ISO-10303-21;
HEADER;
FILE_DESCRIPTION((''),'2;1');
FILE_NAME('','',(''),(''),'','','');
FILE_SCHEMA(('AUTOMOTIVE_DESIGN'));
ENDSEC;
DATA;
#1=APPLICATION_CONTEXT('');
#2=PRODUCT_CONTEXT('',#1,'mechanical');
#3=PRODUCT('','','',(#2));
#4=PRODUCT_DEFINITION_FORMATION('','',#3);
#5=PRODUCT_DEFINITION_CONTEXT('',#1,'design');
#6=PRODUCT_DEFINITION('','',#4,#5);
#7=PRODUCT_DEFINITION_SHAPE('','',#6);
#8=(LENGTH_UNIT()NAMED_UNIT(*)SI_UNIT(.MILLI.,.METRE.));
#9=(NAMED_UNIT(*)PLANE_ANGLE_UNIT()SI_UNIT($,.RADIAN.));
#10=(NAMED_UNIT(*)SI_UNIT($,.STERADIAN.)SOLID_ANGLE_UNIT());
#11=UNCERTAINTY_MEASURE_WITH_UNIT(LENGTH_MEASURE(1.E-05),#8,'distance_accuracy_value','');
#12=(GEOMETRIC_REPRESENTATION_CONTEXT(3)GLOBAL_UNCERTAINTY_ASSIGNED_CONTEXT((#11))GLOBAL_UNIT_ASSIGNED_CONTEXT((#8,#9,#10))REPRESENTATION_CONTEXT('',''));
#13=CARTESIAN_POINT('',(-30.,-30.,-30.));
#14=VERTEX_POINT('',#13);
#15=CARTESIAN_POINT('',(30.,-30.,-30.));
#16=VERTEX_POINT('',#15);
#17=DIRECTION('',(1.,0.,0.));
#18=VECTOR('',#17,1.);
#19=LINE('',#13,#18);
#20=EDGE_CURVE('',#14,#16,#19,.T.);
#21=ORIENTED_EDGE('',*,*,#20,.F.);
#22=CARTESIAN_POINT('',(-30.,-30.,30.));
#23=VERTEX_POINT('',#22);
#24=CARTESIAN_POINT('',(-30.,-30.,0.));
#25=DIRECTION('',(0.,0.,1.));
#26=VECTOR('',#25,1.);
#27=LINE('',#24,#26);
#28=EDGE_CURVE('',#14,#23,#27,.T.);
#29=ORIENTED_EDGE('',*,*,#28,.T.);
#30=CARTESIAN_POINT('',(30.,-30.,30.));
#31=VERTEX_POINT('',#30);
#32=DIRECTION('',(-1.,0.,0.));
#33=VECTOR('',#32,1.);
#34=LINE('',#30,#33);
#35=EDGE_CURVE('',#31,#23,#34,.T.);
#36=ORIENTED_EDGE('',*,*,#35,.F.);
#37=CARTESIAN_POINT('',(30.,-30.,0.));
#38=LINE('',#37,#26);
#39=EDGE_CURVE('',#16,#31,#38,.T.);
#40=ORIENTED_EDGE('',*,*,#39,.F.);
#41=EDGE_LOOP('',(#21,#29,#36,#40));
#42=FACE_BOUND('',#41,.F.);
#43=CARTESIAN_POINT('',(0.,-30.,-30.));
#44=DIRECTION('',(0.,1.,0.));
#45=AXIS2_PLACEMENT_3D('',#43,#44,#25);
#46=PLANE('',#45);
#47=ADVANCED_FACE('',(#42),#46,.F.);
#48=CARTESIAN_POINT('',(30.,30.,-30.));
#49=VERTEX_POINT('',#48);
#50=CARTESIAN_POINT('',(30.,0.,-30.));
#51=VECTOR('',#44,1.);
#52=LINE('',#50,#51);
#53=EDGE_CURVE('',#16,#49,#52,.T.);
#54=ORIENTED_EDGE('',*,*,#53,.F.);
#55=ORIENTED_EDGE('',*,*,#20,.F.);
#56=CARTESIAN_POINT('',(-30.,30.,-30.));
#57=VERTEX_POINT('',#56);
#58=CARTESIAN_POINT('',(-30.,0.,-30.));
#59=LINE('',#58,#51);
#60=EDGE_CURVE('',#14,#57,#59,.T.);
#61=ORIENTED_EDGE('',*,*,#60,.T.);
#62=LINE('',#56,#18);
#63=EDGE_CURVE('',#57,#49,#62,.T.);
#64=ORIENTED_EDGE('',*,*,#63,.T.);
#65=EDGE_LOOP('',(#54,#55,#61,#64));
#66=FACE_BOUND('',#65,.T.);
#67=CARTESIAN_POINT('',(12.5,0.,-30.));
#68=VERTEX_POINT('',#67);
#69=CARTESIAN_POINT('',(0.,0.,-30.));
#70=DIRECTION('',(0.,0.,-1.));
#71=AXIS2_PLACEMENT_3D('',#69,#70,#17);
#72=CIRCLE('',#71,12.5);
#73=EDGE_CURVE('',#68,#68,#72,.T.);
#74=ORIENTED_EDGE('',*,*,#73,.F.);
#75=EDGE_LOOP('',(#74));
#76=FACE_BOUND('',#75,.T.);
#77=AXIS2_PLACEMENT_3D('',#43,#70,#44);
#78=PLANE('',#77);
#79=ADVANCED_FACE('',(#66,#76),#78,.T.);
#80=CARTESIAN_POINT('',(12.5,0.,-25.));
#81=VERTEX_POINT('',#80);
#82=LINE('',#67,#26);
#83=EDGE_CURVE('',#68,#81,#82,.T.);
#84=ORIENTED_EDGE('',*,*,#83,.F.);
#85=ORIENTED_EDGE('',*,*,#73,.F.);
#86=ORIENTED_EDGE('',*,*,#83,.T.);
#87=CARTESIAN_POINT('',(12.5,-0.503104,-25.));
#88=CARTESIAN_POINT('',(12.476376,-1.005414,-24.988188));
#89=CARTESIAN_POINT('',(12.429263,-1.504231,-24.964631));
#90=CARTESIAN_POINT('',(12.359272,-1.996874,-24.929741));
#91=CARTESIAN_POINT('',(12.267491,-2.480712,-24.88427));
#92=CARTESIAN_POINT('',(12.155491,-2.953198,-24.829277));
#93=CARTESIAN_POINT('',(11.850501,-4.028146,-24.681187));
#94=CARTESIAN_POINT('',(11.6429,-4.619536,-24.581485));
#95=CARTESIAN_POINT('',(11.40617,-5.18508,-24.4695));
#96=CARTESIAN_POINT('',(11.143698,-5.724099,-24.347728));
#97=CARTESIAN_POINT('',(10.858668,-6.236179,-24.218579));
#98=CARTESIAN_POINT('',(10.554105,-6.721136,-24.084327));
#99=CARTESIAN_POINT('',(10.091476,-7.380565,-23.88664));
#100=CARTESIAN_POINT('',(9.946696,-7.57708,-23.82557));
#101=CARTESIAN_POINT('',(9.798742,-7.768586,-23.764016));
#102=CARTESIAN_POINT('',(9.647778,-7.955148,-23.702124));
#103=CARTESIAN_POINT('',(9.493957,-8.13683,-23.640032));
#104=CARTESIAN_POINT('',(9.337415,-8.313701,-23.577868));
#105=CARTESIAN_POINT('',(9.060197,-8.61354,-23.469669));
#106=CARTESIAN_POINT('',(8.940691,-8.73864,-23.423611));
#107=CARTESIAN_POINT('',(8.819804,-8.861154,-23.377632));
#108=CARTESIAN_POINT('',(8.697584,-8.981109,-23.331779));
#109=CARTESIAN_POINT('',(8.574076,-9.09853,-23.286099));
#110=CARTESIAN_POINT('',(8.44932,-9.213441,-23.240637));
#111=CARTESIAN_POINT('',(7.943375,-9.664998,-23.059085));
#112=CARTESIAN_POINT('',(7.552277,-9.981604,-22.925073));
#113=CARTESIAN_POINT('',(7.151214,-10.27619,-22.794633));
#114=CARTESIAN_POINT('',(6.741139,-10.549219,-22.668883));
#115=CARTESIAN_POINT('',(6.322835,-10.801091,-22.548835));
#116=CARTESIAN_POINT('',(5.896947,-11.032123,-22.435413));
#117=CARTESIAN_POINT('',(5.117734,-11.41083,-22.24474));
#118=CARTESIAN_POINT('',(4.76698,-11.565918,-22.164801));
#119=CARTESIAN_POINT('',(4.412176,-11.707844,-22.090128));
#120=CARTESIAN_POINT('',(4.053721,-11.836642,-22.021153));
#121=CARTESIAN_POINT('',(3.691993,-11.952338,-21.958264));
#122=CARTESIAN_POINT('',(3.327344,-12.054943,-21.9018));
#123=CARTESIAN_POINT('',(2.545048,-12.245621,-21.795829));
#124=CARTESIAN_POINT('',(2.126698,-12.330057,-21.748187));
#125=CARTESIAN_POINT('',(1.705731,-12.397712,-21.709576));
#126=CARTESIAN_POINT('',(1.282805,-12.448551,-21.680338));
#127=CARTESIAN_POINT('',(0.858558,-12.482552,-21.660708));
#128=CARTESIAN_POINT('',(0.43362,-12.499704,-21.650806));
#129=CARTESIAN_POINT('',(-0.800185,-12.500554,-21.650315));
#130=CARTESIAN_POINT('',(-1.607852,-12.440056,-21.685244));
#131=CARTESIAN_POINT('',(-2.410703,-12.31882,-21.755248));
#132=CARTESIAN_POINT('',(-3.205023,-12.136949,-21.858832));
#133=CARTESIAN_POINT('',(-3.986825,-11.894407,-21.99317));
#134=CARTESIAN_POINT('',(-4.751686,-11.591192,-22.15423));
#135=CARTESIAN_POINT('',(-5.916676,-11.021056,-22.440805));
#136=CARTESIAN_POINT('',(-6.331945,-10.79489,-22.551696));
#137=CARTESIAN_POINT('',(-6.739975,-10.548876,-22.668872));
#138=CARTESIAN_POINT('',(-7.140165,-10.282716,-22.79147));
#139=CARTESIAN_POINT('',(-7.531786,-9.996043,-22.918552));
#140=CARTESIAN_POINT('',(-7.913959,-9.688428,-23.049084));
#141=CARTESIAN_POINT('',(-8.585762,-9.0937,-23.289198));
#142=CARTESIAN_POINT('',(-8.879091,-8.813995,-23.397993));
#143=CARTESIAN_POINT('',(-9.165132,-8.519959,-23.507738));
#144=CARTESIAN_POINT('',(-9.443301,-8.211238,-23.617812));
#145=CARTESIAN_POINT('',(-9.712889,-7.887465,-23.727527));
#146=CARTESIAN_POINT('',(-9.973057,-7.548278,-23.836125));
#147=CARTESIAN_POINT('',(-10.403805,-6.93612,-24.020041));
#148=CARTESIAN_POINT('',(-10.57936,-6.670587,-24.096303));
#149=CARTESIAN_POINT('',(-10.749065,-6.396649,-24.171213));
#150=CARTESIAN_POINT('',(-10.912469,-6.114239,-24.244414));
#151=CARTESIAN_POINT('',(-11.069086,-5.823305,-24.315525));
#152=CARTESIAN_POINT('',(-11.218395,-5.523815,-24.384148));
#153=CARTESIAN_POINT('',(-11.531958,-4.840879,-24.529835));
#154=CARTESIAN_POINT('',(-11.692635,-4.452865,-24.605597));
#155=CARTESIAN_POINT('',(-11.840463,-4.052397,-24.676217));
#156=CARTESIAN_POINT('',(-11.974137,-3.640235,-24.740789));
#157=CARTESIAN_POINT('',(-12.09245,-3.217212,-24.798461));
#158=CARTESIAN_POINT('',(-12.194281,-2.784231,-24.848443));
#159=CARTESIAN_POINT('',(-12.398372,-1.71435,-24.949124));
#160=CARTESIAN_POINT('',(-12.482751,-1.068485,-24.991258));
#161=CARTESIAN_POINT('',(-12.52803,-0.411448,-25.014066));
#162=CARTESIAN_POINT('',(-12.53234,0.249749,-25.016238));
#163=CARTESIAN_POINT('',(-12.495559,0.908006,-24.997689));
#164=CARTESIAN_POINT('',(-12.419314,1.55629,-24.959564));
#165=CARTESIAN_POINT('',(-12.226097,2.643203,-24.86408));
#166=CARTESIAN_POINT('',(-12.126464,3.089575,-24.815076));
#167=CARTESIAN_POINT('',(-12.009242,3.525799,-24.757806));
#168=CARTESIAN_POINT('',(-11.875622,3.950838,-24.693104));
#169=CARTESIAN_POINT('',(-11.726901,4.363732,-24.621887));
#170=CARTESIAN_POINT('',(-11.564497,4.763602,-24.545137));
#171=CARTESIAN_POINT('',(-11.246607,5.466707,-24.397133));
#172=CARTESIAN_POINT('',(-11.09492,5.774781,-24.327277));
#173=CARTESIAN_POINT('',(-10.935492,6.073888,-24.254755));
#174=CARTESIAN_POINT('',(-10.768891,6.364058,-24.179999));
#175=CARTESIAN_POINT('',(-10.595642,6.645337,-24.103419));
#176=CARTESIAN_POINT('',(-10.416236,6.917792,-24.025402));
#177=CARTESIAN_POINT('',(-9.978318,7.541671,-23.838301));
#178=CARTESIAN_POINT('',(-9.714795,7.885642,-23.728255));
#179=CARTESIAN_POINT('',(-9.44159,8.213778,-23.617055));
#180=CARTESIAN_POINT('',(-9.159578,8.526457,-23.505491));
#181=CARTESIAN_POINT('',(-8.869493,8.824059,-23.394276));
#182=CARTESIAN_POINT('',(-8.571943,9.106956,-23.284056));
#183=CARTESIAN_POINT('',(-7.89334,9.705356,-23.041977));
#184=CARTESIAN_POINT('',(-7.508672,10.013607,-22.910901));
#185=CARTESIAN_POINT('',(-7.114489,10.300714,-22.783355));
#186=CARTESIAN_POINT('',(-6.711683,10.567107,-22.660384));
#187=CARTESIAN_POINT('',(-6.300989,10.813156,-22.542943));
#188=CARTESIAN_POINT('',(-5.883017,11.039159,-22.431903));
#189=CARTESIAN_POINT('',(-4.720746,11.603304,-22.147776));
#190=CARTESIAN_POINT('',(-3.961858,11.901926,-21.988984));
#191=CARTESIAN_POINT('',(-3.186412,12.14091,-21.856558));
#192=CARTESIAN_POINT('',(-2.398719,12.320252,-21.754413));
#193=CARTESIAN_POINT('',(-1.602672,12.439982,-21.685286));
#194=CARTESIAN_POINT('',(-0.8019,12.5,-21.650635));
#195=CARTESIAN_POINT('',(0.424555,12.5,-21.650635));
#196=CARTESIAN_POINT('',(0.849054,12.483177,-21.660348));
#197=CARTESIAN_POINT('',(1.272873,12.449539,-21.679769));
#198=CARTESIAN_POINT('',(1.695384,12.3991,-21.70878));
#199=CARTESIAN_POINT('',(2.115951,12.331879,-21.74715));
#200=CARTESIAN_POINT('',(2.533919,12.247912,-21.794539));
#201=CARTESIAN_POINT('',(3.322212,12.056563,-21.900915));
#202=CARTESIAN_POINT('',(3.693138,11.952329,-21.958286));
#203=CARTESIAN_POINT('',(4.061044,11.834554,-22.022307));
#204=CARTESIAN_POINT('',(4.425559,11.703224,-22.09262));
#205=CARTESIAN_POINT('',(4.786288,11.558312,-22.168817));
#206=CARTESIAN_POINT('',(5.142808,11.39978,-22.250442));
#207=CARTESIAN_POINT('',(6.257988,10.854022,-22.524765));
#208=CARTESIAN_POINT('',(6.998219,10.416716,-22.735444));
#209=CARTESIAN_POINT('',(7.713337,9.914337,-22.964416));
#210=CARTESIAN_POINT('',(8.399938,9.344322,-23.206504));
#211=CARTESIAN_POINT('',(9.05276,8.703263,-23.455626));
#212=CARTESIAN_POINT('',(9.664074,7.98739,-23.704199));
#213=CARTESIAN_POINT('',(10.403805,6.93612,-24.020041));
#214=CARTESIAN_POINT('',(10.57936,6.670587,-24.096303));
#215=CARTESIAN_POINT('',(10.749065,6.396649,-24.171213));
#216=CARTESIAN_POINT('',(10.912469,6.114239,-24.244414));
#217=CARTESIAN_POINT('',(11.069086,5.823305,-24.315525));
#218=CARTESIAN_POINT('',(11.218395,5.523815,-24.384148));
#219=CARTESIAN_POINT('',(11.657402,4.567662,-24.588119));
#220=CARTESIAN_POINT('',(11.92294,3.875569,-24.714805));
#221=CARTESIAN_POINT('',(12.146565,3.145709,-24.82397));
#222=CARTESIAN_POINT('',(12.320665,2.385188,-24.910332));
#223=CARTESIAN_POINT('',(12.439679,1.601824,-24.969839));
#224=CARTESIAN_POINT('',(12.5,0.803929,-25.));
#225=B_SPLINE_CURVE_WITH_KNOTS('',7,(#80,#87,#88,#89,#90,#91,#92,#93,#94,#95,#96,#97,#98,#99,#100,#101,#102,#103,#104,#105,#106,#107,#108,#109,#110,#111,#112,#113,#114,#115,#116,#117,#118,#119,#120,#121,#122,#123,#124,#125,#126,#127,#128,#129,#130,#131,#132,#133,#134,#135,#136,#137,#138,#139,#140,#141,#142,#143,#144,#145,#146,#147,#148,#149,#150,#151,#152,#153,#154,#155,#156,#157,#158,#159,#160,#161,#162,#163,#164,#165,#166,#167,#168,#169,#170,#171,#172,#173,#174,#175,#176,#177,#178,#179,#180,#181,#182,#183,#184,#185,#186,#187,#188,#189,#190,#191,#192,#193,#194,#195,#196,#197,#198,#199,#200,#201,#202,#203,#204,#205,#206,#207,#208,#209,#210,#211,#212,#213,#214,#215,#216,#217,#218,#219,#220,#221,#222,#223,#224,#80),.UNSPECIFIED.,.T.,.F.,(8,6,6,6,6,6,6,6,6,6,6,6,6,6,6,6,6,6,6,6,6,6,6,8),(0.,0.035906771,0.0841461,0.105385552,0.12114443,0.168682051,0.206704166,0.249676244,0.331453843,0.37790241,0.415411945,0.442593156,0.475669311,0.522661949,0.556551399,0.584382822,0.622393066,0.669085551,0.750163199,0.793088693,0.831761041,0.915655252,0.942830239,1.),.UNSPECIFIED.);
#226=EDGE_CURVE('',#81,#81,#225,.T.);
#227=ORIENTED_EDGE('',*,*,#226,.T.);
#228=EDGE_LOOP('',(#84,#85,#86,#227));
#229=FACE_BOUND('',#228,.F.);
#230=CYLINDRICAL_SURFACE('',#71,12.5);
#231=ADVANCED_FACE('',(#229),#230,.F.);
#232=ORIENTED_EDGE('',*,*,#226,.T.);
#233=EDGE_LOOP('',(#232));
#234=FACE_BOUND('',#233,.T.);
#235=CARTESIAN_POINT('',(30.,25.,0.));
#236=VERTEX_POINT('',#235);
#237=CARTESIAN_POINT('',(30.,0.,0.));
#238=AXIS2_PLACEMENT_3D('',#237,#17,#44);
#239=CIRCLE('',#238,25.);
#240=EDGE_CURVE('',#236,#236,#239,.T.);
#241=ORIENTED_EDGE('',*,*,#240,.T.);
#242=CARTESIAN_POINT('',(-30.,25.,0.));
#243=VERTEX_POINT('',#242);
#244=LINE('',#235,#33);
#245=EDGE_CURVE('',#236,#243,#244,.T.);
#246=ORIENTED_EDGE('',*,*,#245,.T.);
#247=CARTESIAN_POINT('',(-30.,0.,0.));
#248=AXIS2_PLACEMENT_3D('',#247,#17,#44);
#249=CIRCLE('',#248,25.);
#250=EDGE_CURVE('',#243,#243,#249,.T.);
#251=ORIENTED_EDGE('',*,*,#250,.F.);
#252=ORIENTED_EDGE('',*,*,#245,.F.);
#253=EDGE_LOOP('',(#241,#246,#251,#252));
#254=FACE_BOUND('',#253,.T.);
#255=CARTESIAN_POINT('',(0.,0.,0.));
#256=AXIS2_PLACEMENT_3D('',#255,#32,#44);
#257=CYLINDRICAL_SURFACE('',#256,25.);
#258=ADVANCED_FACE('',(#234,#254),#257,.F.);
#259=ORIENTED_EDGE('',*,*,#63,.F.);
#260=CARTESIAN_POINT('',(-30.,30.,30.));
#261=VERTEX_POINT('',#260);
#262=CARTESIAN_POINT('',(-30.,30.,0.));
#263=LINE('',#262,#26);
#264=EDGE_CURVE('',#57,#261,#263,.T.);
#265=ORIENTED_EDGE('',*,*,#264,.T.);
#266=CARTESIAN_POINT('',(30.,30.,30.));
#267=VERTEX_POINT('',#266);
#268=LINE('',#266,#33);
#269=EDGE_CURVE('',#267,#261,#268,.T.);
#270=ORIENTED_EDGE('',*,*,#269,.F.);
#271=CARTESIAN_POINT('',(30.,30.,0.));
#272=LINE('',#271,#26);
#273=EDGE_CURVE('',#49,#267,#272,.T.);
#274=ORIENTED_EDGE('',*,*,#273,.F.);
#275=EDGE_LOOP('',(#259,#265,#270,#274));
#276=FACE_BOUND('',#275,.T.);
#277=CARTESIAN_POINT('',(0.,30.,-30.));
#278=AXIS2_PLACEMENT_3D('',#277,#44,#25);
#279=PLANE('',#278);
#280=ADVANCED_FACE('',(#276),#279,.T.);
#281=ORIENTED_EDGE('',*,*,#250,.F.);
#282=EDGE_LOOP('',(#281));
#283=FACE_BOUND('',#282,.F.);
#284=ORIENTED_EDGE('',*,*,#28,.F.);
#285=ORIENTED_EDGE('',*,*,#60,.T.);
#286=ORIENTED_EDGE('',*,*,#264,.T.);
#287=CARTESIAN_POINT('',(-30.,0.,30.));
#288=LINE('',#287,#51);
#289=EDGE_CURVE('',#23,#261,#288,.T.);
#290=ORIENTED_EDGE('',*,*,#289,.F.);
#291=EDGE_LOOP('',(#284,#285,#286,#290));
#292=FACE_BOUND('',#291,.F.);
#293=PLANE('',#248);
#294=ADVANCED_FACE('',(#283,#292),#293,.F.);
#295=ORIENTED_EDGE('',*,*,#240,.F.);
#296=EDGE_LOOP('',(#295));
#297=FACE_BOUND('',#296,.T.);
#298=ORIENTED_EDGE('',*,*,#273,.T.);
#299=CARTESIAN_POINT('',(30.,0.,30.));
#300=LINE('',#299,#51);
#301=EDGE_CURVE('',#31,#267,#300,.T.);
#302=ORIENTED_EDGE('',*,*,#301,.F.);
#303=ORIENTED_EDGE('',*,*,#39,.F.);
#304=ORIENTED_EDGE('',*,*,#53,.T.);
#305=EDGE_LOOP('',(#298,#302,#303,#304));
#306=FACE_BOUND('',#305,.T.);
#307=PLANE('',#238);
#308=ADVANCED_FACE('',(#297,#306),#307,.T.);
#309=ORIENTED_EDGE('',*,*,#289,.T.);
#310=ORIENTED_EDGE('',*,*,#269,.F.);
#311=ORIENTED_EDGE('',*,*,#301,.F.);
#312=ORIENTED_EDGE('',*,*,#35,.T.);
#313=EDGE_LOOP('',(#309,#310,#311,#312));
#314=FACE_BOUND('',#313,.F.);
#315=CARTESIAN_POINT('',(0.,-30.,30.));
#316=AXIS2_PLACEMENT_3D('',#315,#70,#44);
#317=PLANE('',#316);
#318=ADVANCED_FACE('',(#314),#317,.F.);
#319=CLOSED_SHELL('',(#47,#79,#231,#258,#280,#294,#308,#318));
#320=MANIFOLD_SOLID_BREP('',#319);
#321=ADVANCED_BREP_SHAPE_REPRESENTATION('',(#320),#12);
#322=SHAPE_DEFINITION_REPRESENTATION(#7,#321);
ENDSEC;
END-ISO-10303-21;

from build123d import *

# Parameters (mm, degrees)
F0_W          = 60
F0_H          = 60
F0_R          = 25
F1_DEPTH      = 30
F2_R          = 12.5
F3_DEPTH      = 25
F3_DEPTH_BACK = 25


with BuildPart() as f1:
    # F0 (on Right) → F1 (new body, symmetric)
    with BuildSketch(Plane.YZ):
        Rectangle(F0_W, F0_H)
        Circle(F0_R, mode=Mode.SUBTRACT)
    extrude(amount=F1_DEPTH, both=True)

    # F2 (on face) → F3 (cut, two sides)
    with BuildSketch(Plane(origin=(0, 0, -30), x_dir=(1, 0, 0), z_dir=(0, 0, -1))) as f3_sk:
        Circle(F2_R)
    extrude(amount=-F3_DEPTH, mode=Mode.SUBTRACT)
    extrude(f3_sk.sketch, amount=-F3_DEPTH_BACK, mode=Mode.SUBTRACT)


solid = f1.part
